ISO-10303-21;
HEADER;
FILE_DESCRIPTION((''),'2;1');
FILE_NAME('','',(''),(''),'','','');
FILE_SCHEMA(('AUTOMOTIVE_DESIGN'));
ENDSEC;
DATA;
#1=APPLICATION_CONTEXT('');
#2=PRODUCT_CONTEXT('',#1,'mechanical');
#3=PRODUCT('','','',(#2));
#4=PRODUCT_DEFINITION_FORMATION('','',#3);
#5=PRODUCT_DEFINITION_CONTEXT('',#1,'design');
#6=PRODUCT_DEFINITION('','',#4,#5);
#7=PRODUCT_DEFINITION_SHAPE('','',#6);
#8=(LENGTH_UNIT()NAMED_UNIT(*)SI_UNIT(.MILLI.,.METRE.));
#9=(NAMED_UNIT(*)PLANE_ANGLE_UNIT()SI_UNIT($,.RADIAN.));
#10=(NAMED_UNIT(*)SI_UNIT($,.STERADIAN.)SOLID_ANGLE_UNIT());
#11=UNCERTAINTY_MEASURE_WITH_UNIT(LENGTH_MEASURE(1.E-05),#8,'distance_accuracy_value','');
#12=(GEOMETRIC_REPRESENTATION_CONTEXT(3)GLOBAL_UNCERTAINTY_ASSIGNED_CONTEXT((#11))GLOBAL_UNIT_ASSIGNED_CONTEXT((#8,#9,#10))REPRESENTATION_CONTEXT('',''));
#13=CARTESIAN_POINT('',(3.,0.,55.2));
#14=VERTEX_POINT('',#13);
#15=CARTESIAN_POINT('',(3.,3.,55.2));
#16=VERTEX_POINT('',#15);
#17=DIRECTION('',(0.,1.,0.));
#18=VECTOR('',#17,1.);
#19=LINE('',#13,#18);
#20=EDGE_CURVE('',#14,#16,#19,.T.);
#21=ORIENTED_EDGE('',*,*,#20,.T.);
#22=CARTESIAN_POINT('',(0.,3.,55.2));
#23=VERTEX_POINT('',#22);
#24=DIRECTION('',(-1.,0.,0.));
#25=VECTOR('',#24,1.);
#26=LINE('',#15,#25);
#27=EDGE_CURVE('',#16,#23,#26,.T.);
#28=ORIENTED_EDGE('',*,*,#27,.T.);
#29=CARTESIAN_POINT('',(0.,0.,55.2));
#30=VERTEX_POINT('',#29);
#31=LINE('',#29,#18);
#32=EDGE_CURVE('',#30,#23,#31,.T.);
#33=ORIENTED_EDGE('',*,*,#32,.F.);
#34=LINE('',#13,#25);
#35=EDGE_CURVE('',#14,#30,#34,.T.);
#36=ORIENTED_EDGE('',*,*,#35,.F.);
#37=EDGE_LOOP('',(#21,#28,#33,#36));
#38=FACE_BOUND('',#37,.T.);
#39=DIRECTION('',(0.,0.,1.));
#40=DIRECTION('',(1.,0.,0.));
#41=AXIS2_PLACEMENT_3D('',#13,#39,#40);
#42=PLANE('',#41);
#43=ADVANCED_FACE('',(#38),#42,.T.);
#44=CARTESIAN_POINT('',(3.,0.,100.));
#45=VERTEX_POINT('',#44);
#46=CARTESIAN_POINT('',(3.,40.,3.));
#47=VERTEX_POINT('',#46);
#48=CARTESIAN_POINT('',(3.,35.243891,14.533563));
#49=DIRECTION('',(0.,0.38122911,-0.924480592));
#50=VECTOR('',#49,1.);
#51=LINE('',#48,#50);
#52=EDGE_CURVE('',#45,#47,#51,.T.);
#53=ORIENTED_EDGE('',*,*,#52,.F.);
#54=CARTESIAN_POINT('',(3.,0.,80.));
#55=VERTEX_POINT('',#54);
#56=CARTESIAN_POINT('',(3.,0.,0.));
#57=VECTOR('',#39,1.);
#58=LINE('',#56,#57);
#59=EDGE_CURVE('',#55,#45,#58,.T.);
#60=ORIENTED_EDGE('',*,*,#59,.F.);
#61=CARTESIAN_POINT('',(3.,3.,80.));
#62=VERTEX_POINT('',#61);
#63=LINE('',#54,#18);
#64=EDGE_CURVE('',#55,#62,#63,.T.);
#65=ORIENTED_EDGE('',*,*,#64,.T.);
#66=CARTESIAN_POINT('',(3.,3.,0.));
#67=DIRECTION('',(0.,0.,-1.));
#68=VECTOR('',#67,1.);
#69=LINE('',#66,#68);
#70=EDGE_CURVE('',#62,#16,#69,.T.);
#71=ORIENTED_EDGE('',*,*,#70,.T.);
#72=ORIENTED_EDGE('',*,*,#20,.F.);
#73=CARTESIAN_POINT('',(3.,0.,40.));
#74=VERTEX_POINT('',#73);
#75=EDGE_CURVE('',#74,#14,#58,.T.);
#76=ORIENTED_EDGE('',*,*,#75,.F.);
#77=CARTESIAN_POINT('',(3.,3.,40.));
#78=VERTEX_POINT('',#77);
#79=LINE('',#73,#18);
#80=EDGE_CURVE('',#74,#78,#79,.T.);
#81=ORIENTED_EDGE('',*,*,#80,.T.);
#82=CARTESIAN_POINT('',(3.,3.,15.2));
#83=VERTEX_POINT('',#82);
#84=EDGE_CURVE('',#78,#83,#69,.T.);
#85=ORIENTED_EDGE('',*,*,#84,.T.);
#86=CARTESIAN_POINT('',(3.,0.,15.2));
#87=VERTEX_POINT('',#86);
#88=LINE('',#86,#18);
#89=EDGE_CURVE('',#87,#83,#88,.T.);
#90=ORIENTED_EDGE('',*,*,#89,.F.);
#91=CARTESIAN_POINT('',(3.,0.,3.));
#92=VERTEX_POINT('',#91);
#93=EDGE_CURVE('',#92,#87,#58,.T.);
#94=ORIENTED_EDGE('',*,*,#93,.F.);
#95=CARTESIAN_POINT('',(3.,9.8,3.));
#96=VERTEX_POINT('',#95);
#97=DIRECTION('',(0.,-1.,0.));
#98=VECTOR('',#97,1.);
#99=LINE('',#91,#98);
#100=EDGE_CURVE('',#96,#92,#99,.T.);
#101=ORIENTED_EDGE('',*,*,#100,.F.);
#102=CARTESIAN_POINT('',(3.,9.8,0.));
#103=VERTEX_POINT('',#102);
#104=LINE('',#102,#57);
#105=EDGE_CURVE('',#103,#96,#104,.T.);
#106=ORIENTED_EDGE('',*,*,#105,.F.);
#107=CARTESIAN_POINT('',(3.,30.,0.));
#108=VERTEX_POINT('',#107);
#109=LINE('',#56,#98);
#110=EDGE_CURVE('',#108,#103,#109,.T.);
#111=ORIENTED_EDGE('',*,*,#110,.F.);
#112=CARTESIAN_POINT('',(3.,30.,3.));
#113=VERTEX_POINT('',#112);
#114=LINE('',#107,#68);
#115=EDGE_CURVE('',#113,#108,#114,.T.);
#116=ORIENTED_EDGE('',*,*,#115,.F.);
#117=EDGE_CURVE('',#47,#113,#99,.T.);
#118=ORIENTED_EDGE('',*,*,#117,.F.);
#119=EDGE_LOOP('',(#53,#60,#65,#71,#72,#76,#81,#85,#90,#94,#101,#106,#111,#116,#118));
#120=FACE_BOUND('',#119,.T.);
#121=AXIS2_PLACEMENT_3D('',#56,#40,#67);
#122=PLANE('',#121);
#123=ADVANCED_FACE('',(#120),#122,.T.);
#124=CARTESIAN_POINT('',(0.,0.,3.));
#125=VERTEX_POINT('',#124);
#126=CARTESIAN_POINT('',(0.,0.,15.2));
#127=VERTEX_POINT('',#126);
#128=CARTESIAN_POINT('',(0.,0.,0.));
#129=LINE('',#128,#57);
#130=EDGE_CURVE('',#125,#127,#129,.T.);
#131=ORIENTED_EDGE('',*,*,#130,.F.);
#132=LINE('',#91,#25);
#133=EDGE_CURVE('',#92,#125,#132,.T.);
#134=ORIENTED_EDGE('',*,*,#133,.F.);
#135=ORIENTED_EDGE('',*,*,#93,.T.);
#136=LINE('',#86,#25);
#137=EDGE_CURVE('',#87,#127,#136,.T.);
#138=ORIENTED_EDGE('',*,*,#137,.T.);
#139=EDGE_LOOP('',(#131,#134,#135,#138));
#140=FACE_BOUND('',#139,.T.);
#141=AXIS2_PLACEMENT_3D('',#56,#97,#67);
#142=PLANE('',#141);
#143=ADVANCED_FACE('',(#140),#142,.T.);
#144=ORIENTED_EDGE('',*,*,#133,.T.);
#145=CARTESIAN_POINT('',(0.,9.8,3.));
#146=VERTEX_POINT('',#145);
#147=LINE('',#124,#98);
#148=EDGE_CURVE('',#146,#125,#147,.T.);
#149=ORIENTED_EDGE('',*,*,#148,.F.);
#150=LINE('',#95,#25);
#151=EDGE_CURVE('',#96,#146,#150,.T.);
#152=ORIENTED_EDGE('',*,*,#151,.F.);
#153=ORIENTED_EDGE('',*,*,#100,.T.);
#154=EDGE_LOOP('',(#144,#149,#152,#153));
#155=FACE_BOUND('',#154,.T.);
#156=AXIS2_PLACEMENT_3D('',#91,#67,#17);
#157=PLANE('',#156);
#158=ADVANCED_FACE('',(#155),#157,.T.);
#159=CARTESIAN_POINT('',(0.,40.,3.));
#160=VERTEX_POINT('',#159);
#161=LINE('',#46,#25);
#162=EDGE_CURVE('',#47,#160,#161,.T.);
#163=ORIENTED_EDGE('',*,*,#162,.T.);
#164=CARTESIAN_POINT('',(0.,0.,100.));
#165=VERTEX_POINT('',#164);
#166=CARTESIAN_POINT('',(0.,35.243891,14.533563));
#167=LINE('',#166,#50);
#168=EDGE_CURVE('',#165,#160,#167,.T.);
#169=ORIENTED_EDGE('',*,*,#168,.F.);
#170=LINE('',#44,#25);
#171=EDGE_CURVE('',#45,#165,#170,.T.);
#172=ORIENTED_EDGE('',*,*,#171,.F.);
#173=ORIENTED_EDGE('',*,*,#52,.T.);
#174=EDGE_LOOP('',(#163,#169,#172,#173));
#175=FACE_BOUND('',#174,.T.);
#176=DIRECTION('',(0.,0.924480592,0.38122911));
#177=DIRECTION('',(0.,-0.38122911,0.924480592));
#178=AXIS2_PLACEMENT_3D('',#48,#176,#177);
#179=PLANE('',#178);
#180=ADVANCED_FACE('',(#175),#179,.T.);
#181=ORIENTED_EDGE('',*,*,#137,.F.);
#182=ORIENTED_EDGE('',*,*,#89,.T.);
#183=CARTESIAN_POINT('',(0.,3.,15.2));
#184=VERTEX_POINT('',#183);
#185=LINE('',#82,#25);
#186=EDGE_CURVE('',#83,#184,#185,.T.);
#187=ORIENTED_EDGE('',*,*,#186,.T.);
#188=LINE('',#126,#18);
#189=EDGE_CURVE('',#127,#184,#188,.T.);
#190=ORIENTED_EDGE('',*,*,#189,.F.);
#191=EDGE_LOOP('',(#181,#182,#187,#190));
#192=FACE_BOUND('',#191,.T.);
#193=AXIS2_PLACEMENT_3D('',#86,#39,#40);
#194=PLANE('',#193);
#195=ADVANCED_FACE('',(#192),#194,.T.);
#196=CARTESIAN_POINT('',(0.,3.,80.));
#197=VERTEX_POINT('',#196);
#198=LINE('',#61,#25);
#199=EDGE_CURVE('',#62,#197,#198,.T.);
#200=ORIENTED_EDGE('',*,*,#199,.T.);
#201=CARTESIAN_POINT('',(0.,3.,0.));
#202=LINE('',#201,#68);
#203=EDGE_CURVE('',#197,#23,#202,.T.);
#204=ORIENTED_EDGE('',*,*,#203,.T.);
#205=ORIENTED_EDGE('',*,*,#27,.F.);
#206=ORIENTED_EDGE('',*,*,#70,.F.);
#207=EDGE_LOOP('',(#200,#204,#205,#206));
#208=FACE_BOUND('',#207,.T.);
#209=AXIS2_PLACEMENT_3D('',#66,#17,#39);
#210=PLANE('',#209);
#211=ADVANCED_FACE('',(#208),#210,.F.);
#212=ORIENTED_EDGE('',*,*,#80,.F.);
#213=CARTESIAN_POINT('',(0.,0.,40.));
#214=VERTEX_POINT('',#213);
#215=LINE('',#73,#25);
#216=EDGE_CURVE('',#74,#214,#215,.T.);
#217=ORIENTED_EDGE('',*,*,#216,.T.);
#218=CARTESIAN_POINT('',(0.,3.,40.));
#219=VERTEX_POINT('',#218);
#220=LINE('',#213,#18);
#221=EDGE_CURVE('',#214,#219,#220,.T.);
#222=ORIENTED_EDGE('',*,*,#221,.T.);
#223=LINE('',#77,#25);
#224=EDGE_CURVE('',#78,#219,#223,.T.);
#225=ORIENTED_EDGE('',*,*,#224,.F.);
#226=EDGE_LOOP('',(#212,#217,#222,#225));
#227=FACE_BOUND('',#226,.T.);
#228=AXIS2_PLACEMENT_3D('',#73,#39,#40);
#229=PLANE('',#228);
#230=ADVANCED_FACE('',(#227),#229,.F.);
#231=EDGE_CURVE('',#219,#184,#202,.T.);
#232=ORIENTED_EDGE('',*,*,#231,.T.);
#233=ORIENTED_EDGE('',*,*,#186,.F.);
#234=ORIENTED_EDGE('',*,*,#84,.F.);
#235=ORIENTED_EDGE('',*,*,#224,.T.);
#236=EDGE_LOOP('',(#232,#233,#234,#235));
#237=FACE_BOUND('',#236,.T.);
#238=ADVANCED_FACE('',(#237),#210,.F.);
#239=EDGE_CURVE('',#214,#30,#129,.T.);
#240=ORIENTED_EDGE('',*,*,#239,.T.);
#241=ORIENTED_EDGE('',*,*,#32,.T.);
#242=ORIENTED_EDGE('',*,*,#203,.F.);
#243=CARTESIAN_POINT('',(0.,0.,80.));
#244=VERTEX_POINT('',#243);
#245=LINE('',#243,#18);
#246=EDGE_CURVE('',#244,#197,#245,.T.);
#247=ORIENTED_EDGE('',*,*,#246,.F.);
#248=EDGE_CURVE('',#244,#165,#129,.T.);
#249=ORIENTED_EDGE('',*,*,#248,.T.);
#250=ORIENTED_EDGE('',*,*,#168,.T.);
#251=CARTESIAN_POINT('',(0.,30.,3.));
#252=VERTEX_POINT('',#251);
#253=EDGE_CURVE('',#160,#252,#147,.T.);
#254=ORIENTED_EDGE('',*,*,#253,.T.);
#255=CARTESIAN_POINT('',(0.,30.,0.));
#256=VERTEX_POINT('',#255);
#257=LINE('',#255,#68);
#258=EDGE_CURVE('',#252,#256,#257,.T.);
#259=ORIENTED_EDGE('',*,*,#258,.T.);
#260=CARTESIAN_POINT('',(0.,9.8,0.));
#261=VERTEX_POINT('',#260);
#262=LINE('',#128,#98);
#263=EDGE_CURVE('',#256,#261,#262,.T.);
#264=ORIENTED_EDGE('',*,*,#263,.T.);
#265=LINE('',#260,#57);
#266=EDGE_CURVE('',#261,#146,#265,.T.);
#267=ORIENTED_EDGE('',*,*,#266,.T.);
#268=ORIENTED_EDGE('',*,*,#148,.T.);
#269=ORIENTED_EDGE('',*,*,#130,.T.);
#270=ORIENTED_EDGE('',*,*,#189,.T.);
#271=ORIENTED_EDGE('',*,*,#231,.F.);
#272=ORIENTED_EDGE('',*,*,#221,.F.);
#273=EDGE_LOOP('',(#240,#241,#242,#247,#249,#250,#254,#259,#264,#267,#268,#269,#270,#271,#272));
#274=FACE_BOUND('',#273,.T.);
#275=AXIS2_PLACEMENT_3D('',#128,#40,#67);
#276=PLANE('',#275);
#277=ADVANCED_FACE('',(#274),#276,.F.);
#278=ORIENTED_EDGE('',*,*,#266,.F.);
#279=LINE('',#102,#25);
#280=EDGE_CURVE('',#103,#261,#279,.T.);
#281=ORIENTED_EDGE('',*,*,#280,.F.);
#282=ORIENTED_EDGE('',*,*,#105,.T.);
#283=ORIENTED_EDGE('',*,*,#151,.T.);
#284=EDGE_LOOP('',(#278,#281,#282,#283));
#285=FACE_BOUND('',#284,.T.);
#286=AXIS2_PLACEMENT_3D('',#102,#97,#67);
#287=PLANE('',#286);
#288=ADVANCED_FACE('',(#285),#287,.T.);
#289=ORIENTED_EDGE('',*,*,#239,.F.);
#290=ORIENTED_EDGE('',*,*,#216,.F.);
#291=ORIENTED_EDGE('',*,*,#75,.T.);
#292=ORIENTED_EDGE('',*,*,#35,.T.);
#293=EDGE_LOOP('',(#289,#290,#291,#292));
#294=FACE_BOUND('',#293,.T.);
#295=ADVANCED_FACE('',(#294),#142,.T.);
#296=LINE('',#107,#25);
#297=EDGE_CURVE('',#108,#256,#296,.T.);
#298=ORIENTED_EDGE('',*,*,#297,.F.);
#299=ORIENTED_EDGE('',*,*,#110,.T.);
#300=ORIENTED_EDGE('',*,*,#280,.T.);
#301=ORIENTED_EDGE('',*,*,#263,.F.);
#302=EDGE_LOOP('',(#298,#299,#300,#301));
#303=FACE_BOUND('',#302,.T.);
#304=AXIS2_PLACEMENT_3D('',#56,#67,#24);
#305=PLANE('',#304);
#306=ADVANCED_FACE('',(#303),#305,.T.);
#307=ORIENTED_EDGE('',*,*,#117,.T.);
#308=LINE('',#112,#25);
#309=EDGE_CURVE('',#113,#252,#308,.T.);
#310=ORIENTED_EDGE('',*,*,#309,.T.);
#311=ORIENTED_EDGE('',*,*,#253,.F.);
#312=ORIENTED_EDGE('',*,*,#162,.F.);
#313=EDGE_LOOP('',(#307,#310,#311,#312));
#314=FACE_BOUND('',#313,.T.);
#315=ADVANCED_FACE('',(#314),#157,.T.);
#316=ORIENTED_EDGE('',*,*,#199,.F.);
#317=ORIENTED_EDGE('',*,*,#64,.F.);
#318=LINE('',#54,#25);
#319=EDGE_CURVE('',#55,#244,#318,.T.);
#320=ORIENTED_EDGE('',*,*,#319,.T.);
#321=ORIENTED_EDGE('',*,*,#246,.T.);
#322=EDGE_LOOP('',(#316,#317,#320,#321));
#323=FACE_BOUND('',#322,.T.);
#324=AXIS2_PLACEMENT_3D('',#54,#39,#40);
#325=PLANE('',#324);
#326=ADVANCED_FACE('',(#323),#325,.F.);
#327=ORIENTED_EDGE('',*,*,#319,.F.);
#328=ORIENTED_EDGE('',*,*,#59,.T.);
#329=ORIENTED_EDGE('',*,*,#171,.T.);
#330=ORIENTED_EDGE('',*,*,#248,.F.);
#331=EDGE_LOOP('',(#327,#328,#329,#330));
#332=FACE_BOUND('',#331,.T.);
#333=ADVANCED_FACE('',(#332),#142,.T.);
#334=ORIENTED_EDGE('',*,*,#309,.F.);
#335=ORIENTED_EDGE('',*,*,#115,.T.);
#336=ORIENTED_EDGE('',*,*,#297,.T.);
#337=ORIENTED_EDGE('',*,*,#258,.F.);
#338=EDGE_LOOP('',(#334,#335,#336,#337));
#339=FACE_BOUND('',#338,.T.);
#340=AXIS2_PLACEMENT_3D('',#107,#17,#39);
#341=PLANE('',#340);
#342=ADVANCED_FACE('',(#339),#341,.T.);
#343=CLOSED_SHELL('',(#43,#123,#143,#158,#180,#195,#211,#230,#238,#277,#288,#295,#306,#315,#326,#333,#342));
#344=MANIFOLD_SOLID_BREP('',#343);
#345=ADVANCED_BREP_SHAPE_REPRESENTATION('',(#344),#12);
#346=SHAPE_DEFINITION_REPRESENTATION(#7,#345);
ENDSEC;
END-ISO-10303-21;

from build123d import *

# Parameters (mm, degrees)
BOSS_EXTRUDE1_DEPTH = 3


with BuildPart() as part:
    # Sketch1 → Boss-Extrude1 (new body)
    with BuildSketch(Plane(origin=(0, 0, 0), x_dir=(0, 0, -1), z_dir=(1, 0, 0))):
        Polygon((0, 30), (-3, 30), (-3, 40), (-100, 0), (-80, 0), (-80, 3), (-55.2, 3), (-55.2, 0), (-40, 0), (-40, 3), (-15.2, 3), (-15.2, 0), (-3, 0), (-3, 9.8), (0, 9.8), align=None)
    extrude(amount=BOSS_EXTRUDE1_DEPTH)


solid = part.part
